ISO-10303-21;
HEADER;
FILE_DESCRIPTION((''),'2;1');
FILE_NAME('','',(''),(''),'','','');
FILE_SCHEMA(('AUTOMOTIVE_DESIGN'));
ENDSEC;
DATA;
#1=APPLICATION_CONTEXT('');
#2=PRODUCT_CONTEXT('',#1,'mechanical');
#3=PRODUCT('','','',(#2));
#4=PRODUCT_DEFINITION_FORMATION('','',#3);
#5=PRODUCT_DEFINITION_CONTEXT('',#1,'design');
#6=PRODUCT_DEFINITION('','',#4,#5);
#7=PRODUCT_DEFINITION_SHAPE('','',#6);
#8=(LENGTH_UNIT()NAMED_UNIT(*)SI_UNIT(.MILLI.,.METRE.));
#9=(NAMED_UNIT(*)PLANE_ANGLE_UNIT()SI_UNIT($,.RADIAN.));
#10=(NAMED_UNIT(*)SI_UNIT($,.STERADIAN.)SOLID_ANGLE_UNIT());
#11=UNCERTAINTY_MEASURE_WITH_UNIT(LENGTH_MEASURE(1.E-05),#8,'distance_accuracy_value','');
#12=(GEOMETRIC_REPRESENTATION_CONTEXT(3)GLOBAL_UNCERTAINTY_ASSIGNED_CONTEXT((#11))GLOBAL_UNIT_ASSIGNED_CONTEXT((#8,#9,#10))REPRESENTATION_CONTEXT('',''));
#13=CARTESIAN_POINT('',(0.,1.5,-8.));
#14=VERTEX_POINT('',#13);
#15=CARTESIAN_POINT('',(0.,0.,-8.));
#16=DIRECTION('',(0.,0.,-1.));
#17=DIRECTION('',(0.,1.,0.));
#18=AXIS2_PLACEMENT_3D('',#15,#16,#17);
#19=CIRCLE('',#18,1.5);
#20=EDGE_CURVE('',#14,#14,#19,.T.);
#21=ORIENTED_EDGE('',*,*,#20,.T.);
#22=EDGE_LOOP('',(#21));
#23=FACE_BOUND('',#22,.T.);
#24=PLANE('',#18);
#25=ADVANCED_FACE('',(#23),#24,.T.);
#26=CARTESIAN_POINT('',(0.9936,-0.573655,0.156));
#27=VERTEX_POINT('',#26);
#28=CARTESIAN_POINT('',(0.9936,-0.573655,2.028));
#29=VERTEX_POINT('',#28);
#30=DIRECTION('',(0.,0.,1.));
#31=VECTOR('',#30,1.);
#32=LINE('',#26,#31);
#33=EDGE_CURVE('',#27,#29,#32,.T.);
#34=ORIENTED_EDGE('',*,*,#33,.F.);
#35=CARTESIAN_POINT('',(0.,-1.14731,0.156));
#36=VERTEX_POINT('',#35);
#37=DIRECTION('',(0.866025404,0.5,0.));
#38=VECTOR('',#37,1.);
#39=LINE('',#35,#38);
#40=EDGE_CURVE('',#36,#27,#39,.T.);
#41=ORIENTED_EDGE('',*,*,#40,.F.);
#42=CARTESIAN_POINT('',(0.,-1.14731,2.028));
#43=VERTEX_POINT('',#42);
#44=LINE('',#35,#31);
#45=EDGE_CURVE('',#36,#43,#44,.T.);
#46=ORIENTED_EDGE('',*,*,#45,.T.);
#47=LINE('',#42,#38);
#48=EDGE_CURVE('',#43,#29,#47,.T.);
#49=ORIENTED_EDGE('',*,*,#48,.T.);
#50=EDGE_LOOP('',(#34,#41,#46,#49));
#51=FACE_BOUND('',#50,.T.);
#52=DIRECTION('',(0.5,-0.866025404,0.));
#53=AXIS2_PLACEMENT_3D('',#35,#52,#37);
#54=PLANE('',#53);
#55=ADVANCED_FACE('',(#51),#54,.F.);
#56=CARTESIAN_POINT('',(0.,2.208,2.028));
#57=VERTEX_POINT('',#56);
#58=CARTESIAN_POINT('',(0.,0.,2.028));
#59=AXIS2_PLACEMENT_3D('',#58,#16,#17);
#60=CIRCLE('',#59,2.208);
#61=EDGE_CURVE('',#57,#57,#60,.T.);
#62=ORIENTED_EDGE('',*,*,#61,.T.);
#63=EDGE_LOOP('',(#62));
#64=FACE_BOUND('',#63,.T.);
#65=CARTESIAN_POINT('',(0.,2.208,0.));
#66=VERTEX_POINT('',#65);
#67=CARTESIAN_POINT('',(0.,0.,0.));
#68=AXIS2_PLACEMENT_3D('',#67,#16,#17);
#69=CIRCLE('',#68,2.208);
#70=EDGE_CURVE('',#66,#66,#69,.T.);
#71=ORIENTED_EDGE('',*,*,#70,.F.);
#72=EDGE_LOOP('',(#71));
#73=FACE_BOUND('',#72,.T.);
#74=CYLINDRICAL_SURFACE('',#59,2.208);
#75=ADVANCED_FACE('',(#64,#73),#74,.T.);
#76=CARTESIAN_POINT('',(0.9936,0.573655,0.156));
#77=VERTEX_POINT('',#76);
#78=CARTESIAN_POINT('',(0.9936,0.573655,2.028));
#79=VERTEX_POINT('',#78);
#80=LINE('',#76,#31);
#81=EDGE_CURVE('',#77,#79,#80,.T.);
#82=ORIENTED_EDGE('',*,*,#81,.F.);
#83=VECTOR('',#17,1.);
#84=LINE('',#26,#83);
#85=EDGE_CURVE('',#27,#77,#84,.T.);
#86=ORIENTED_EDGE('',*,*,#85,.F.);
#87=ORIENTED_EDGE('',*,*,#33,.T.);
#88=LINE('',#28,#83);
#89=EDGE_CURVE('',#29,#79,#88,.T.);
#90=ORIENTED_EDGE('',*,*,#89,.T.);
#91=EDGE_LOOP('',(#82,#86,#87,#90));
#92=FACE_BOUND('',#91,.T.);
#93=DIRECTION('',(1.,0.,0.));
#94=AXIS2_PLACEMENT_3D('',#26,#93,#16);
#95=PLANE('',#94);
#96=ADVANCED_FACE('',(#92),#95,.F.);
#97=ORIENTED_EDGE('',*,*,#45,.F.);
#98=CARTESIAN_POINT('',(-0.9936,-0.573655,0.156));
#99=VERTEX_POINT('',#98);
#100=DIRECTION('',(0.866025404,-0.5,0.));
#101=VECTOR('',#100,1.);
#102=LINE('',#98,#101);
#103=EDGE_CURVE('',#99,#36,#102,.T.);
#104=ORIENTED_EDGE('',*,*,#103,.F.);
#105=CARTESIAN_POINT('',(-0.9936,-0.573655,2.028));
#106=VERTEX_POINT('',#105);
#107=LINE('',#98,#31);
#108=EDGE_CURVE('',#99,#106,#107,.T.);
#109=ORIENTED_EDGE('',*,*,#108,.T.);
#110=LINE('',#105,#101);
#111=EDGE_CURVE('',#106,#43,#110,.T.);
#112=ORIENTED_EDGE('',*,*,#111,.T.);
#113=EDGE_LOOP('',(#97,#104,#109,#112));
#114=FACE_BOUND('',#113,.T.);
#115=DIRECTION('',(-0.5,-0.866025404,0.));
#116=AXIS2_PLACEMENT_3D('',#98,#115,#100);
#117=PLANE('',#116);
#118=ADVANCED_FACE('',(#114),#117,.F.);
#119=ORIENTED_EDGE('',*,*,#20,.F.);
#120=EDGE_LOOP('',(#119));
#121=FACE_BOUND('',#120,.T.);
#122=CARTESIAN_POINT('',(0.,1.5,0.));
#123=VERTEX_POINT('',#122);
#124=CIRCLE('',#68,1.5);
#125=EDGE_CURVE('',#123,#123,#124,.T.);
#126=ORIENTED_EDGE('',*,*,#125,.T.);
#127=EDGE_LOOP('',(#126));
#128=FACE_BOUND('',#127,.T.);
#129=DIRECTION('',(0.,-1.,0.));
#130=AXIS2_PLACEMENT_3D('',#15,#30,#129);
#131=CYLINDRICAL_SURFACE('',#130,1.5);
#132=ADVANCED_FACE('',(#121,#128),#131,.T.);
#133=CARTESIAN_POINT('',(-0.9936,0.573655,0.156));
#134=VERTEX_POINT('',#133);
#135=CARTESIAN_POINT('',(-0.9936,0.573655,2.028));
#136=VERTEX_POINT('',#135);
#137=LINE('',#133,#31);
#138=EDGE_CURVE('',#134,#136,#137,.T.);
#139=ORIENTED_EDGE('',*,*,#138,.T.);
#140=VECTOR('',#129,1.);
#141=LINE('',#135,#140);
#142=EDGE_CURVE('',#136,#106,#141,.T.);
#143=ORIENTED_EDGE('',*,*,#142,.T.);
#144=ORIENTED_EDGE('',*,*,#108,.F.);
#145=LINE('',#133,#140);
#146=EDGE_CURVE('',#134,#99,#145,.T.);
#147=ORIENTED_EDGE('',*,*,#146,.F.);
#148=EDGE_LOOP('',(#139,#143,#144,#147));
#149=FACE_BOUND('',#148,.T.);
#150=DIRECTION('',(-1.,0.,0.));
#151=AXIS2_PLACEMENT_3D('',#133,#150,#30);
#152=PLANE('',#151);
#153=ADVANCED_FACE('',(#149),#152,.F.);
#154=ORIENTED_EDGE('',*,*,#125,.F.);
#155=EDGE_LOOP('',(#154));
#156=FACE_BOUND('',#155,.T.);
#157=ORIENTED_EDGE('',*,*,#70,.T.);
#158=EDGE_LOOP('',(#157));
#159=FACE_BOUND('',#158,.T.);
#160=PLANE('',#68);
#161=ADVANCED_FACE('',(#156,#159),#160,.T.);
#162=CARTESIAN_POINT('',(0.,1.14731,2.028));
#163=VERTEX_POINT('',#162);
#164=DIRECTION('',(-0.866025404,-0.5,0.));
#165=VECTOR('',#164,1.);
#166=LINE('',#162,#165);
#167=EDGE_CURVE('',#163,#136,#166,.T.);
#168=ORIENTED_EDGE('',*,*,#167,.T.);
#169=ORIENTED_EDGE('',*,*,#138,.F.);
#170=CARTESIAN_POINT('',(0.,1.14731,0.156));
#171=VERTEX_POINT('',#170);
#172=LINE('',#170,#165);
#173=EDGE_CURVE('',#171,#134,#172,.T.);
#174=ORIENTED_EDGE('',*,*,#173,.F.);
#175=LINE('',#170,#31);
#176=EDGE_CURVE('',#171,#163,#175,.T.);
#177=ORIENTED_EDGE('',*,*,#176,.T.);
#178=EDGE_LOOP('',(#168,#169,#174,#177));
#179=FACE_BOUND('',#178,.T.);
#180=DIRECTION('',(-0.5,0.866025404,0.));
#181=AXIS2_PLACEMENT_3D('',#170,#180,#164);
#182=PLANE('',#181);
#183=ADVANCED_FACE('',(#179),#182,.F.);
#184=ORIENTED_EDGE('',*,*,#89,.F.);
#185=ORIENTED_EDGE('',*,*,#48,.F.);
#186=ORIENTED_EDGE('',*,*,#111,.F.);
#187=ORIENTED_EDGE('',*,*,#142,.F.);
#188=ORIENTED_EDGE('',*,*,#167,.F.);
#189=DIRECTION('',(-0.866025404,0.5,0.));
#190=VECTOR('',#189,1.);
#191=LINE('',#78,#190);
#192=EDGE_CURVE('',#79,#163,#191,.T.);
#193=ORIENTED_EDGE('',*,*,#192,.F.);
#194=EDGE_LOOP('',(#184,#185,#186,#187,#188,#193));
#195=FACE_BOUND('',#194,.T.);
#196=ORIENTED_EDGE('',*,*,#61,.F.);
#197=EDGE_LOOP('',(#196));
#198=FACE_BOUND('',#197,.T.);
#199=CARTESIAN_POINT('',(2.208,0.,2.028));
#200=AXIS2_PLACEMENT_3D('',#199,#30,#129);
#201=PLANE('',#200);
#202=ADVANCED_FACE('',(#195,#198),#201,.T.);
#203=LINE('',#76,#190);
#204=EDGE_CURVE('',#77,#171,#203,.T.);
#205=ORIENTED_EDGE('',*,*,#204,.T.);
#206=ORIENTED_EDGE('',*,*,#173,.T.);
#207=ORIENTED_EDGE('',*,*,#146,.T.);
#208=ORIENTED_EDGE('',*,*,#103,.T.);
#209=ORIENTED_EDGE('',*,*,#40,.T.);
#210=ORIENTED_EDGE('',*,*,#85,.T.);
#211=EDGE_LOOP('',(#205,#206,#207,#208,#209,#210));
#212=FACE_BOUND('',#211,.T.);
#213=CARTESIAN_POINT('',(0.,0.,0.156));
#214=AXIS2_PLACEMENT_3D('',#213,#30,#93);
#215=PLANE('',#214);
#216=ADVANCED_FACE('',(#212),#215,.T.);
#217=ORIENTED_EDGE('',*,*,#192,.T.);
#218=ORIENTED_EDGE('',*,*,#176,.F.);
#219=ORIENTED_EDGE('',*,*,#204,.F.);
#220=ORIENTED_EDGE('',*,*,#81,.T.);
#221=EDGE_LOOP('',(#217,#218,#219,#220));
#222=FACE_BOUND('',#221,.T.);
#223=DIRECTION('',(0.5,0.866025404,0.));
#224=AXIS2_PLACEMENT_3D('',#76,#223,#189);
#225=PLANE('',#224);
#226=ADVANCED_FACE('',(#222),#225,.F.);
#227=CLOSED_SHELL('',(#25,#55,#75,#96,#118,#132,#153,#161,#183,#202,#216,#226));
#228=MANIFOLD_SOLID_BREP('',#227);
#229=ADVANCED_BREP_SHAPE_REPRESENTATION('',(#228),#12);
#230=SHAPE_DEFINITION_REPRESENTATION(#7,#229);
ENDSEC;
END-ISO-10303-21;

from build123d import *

# Parameters (mm, degrees)
SKETCH_1_W          = 2.208
SKETCH_1_H          = 2.028
SKETCH_2_R          = 1.5
EXTRUDE_1_DEPTH     = 8
CUT_EXTRUDE_1_DEPTH = 1.872


with BuildPart() as part:
    # 草图1 → 旋转1 (revolve)
    with BuildSketch(Plane.XZ, mode=Mode.PRIVATE) as revolve_1_sk:
        with Locations((1.104, 1.014)):
            Rectangle(SKETCH_1_W, SKETCH_1_H)
    revolve(revolve_1_sk.sketch.rotate(Axis((0, 0, 2.028), (0, 0, -1)), 270), axis=Axis((0, 0, 2.028), (0, 0, -1)))

    # 草图2 → 凸台-拉伸1 (add)
    with BuildSketch(Plane(origin=(0, 0, 0), x_dir=(-1, 0, 0), z_dir=(0, 0, -1))):
        with Locations(Location((0, 0, 0), (0, 0, 90))):
            Circle(SKETCH_2_R)
    extrude(amount=EXTRUDE_1_DEPTH)

    # 草图3 → 切除-拉伸1 (cut)
    with BuildSketch(Plane.XY.offset(2.028)):
        Polygon((0.9936, -0.573655227), (0.9936, 0.573655227), (0, 1.147310455), (-0.9936, 0.573655227), (-0.9936, -0.573655227), (0, -1.147310455), align=None)
    extrude(amount=-CUT_EXTRUDE_1_DEPTH, mode=Mode.SUBTRACT)


solid = part.part
